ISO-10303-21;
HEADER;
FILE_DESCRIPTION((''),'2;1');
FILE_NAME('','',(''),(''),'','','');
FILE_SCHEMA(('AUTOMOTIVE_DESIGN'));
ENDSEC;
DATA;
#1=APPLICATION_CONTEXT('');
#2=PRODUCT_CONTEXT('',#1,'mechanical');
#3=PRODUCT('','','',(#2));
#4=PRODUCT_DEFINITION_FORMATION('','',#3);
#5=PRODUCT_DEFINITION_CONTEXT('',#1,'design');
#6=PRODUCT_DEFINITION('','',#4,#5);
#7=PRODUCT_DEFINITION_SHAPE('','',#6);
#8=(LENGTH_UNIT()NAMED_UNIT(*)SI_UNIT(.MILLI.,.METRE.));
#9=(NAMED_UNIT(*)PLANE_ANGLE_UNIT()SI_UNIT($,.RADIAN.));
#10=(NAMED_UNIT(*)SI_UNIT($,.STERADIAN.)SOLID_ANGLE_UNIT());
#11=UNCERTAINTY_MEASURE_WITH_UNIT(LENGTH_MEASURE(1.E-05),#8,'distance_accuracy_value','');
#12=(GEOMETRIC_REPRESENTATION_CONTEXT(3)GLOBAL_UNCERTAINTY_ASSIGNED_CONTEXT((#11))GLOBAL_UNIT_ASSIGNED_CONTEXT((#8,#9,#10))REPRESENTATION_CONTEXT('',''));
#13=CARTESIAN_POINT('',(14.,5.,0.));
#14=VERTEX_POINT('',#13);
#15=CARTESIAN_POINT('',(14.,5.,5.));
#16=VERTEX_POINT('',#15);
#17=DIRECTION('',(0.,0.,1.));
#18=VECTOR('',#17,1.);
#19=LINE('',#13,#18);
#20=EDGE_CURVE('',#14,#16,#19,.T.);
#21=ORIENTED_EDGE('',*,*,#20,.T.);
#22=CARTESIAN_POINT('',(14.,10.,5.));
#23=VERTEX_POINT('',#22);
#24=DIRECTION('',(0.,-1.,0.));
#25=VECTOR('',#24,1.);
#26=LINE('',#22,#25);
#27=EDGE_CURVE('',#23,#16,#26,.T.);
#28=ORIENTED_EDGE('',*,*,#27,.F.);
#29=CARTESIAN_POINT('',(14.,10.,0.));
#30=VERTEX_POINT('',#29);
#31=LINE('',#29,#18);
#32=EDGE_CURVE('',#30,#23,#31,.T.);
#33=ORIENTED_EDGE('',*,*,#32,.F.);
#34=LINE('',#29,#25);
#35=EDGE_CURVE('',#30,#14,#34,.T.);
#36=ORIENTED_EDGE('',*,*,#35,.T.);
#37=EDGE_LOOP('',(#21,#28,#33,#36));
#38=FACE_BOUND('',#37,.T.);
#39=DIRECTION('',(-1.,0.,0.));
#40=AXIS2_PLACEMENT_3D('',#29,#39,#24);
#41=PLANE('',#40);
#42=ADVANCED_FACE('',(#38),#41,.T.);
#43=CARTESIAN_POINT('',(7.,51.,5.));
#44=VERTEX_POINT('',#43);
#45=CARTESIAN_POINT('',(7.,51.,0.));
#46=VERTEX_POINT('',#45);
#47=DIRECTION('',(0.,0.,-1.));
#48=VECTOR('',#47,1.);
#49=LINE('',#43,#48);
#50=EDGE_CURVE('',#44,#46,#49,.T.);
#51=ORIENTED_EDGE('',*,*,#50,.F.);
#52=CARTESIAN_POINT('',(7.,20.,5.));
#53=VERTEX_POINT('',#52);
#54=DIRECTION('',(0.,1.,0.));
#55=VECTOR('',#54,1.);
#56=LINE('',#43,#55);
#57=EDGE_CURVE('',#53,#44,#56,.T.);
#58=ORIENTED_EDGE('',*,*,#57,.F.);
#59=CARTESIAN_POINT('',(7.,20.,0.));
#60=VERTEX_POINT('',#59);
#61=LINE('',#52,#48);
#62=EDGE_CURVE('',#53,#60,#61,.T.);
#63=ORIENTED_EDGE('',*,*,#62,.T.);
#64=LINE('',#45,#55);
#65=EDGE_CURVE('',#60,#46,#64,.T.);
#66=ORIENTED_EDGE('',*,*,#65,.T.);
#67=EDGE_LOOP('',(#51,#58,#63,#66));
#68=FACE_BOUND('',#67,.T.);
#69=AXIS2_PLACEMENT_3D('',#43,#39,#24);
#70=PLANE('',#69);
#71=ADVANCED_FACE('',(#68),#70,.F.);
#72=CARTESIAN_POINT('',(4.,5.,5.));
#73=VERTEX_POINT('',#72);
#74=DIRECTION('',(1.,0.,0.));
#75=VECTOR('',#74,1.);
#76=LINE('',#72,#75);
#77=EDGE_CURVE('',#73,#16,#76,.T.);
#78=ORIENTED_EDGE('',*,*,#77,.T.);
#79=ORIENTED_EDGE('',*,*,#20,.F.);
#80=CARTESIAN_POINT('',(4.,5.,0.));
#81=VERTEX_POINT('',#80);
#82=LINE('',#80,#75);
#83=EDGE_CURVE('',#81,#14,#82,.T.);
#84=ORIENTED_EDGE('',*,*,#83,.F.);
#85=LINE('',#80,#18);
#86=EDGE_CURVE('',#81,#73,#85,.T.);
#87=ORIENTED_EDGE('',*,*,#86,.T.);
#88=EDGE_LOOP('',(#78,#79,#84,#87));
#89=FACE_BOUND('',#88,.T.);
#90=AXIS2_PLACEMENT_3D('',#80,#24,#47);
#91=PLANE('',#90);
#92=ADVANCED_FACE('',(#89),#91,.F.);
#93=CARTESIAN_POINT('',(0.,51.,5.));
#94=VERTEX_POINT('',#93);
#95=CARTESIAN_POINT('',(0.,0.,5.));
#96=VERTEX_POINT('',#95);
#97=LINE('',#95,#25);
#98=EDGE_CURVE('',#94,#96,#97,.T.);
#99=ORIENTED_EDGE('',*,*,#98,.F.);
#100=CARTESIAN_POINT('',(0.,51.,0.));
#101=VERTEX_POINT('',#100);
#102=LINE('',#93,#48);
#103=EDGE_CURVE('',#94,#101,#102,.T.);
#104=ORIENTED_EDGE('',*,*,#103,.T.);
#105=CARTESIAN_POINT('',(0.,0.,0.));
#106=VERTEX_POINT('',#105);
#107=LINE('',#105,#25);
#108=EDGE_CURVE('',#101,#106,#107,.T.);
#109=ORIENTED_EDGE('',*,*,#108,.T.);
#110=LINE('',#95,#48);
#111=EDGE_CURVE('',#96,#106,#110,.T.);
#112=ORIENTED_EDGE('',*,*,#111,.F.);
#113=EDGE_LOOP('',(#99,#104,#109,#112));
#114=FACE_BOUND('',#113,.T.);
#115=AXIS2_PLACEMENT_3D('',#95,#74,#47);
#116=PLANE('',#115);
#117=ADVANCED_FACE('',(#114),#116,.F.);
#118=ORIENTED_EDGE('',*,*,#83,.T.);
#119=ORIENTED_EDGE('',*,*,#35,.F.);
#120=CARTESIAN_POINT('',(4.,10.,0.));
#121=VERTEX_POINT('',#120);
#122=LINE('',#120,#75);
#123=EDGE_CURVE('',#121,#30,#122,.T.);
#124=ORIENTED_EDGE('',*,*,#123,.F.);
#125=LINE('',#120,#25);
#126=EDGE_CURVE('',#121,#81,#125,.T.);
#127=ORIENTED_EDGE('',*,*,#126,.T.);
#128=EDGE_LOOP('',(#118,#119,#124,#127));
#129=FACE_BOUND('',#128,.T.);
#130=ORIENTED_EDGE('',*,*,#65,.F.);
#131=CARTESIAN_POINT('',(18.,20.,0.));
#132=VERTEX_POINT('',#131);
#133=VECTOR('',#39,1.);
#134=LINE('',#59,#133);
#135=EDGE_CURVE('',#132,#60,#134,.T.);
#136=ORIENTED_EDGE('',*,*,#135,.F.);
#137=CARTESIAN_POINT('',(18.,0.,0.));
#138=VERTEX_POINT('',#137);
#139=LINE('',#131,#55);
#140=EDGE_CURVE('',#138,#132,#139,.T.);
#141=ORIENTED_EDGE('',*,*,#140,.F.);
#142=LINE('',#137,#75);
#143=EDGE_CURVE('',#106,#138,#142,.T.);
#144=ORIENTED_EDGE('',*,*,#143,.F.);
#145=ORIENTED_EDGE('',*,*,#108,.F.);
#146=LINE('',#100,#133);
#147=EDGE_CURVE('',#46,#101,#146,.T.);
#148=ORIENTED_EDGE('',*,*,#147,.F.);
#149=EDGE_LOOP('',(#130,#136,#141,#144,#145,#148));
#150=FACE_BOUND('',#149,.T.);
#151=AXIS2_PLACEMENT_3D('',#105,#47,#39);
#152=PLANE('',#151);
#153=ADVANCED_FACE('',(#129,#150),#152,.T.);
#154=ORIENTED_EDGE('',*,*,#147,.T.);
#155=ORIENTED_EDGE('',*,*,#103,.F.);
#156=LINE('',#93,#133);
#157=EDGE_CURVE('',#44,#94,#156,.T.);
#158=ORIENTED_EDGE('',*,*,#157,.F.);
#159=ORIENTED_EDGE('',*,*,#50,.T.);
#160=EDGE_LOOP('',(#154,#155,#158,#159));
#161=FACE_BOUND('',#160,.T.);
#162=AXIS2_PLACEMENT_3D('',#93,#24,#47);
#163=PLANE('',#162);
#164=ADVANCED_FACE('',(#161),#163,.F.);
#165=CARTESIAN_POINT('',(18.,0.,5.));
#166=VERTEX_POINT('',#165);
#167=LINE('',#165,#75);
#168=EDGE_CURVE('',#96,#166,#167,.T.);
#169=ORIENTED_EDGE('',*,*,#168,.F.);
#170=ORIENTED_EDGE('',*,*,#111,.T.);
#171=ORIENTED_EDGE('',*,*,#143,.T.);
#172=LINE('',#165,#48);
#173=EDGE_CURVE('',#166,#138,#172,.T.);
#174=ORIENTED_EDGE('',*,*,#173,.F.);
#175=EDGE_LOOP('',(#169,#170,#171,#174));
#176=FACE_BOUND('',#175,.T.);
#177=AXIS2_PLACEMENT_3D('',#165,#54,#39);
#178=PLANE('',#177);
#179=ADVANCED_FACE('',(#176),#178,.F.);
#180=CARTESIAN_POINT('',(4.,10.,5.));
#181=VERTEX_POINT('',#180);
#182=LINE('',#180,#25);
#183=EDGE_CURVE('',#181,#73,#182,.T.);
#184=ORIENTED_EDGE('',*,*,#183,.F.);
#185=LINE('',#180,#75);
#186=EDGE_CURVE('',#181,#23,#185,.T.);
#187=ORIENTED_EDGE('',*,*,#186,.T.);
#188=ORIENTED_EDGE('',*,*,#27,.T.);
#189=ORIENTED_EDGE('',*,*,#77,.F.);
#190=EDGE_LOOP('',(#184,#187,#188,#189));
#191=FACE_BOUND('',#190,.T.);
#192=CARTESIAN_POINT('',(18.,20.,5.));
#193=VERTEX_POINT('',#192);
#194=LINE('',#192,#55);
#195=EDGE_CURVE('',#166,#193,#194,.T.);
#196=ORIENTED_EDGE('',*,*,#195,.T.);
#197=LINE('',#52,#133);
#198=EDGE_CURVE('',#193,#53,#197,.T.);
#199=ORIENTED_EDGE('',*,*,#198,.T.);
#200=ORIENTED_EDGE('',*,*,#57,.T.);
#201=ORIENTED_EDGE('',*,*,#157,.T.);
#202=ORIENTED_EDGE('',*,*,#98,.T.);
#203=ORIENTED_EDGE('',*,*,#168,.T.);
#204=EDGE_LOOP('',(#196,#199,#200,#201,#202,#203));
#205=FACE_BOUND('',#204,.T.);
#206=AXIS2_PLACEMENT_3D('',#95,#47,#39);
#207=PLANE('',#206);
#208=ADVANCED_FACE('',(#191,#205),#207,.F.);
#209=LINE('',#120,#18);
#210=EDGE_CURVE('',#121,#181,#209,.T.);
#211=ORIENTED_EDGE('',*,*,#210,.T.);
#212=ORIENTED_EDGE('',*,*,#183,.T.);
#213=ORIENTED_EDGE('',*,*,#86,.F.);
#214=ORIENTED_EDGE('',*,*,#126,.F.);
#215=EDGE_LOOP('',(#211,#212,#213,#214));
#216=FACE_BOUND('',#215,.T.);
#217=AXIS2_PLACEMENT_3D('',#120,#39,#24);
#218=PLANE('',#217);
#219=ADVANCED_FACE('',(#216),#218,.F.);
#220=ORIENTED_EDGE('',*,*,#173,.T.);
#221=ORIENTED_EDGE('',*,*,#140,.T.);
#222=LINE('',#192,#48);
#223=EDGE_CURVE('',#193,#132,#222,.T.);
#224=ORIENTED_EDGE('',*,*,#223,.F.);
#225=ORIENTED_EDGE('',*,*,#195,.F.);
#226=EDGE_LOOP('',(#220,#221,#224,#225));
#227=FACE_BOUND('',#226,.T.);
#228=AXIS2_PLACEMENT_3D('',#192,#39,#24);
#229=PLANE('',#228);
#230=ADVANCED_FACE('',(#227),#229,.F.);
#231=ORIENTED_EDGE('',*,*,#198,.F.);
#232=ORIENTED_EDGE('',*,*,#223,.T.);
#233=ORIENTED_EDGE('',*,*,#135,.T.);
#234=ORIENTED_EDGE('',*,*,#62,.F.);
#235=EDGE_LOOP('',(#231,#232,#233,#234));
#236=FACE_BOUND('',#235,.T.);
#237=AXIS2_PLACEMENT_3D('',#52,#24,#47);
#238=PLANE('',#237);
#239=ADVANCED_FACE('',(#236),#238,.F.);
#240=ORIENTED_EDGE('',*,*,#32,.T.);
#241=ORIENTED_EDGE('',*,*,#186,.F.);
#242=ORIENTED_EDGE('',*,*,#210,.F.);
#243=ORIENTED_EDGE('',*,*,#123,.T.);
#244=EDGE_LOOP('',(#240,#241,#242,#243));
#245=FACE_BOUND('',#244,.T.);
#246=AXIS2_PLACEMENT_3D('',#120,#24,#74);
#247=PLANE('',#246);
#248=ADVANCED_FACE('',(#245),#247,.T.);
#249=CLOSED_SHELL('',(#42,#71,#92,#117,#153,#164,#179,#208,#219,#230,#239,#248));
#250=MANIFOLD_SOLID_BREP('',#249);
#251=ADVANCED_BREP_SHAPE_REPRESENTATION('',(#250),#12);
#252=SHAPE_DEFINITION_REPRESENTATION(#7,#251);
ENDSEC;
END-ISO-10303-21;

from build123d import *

# Parameters (mm, degrees)
BOSS_EXTRUDE1_DEPTH = 5
SKETCH2_W           = 10
SKETCH2_H           = 5
CUT_EXTRUDE1_DEPTH  = 55.313902456


with BuildPart() as part:
    # Sketch1 → Boss-Extrude1 (new body)
    with BuildSketch(Plane.XY):
        Polygon((0, 0), (0, 51), (7, 51), (7, 20), (18, 20), (18, 0), align=None)
    extrude(amount=BOSS_EXTRUDE1_DEPTH)

    # Sketch2 → Cut-Extrude1 (cut, through all)
    with BuildSketch(Plane.XY.offset(5)):
        with Locations((9, 7.5)):
            Rectangle(SKETCH2_W, SKETCH2_H)
    extrude(amount=-CUT_EXTRUDE1_DEPTH, mode=Mode.SUBTRACT)


solid = part.part
